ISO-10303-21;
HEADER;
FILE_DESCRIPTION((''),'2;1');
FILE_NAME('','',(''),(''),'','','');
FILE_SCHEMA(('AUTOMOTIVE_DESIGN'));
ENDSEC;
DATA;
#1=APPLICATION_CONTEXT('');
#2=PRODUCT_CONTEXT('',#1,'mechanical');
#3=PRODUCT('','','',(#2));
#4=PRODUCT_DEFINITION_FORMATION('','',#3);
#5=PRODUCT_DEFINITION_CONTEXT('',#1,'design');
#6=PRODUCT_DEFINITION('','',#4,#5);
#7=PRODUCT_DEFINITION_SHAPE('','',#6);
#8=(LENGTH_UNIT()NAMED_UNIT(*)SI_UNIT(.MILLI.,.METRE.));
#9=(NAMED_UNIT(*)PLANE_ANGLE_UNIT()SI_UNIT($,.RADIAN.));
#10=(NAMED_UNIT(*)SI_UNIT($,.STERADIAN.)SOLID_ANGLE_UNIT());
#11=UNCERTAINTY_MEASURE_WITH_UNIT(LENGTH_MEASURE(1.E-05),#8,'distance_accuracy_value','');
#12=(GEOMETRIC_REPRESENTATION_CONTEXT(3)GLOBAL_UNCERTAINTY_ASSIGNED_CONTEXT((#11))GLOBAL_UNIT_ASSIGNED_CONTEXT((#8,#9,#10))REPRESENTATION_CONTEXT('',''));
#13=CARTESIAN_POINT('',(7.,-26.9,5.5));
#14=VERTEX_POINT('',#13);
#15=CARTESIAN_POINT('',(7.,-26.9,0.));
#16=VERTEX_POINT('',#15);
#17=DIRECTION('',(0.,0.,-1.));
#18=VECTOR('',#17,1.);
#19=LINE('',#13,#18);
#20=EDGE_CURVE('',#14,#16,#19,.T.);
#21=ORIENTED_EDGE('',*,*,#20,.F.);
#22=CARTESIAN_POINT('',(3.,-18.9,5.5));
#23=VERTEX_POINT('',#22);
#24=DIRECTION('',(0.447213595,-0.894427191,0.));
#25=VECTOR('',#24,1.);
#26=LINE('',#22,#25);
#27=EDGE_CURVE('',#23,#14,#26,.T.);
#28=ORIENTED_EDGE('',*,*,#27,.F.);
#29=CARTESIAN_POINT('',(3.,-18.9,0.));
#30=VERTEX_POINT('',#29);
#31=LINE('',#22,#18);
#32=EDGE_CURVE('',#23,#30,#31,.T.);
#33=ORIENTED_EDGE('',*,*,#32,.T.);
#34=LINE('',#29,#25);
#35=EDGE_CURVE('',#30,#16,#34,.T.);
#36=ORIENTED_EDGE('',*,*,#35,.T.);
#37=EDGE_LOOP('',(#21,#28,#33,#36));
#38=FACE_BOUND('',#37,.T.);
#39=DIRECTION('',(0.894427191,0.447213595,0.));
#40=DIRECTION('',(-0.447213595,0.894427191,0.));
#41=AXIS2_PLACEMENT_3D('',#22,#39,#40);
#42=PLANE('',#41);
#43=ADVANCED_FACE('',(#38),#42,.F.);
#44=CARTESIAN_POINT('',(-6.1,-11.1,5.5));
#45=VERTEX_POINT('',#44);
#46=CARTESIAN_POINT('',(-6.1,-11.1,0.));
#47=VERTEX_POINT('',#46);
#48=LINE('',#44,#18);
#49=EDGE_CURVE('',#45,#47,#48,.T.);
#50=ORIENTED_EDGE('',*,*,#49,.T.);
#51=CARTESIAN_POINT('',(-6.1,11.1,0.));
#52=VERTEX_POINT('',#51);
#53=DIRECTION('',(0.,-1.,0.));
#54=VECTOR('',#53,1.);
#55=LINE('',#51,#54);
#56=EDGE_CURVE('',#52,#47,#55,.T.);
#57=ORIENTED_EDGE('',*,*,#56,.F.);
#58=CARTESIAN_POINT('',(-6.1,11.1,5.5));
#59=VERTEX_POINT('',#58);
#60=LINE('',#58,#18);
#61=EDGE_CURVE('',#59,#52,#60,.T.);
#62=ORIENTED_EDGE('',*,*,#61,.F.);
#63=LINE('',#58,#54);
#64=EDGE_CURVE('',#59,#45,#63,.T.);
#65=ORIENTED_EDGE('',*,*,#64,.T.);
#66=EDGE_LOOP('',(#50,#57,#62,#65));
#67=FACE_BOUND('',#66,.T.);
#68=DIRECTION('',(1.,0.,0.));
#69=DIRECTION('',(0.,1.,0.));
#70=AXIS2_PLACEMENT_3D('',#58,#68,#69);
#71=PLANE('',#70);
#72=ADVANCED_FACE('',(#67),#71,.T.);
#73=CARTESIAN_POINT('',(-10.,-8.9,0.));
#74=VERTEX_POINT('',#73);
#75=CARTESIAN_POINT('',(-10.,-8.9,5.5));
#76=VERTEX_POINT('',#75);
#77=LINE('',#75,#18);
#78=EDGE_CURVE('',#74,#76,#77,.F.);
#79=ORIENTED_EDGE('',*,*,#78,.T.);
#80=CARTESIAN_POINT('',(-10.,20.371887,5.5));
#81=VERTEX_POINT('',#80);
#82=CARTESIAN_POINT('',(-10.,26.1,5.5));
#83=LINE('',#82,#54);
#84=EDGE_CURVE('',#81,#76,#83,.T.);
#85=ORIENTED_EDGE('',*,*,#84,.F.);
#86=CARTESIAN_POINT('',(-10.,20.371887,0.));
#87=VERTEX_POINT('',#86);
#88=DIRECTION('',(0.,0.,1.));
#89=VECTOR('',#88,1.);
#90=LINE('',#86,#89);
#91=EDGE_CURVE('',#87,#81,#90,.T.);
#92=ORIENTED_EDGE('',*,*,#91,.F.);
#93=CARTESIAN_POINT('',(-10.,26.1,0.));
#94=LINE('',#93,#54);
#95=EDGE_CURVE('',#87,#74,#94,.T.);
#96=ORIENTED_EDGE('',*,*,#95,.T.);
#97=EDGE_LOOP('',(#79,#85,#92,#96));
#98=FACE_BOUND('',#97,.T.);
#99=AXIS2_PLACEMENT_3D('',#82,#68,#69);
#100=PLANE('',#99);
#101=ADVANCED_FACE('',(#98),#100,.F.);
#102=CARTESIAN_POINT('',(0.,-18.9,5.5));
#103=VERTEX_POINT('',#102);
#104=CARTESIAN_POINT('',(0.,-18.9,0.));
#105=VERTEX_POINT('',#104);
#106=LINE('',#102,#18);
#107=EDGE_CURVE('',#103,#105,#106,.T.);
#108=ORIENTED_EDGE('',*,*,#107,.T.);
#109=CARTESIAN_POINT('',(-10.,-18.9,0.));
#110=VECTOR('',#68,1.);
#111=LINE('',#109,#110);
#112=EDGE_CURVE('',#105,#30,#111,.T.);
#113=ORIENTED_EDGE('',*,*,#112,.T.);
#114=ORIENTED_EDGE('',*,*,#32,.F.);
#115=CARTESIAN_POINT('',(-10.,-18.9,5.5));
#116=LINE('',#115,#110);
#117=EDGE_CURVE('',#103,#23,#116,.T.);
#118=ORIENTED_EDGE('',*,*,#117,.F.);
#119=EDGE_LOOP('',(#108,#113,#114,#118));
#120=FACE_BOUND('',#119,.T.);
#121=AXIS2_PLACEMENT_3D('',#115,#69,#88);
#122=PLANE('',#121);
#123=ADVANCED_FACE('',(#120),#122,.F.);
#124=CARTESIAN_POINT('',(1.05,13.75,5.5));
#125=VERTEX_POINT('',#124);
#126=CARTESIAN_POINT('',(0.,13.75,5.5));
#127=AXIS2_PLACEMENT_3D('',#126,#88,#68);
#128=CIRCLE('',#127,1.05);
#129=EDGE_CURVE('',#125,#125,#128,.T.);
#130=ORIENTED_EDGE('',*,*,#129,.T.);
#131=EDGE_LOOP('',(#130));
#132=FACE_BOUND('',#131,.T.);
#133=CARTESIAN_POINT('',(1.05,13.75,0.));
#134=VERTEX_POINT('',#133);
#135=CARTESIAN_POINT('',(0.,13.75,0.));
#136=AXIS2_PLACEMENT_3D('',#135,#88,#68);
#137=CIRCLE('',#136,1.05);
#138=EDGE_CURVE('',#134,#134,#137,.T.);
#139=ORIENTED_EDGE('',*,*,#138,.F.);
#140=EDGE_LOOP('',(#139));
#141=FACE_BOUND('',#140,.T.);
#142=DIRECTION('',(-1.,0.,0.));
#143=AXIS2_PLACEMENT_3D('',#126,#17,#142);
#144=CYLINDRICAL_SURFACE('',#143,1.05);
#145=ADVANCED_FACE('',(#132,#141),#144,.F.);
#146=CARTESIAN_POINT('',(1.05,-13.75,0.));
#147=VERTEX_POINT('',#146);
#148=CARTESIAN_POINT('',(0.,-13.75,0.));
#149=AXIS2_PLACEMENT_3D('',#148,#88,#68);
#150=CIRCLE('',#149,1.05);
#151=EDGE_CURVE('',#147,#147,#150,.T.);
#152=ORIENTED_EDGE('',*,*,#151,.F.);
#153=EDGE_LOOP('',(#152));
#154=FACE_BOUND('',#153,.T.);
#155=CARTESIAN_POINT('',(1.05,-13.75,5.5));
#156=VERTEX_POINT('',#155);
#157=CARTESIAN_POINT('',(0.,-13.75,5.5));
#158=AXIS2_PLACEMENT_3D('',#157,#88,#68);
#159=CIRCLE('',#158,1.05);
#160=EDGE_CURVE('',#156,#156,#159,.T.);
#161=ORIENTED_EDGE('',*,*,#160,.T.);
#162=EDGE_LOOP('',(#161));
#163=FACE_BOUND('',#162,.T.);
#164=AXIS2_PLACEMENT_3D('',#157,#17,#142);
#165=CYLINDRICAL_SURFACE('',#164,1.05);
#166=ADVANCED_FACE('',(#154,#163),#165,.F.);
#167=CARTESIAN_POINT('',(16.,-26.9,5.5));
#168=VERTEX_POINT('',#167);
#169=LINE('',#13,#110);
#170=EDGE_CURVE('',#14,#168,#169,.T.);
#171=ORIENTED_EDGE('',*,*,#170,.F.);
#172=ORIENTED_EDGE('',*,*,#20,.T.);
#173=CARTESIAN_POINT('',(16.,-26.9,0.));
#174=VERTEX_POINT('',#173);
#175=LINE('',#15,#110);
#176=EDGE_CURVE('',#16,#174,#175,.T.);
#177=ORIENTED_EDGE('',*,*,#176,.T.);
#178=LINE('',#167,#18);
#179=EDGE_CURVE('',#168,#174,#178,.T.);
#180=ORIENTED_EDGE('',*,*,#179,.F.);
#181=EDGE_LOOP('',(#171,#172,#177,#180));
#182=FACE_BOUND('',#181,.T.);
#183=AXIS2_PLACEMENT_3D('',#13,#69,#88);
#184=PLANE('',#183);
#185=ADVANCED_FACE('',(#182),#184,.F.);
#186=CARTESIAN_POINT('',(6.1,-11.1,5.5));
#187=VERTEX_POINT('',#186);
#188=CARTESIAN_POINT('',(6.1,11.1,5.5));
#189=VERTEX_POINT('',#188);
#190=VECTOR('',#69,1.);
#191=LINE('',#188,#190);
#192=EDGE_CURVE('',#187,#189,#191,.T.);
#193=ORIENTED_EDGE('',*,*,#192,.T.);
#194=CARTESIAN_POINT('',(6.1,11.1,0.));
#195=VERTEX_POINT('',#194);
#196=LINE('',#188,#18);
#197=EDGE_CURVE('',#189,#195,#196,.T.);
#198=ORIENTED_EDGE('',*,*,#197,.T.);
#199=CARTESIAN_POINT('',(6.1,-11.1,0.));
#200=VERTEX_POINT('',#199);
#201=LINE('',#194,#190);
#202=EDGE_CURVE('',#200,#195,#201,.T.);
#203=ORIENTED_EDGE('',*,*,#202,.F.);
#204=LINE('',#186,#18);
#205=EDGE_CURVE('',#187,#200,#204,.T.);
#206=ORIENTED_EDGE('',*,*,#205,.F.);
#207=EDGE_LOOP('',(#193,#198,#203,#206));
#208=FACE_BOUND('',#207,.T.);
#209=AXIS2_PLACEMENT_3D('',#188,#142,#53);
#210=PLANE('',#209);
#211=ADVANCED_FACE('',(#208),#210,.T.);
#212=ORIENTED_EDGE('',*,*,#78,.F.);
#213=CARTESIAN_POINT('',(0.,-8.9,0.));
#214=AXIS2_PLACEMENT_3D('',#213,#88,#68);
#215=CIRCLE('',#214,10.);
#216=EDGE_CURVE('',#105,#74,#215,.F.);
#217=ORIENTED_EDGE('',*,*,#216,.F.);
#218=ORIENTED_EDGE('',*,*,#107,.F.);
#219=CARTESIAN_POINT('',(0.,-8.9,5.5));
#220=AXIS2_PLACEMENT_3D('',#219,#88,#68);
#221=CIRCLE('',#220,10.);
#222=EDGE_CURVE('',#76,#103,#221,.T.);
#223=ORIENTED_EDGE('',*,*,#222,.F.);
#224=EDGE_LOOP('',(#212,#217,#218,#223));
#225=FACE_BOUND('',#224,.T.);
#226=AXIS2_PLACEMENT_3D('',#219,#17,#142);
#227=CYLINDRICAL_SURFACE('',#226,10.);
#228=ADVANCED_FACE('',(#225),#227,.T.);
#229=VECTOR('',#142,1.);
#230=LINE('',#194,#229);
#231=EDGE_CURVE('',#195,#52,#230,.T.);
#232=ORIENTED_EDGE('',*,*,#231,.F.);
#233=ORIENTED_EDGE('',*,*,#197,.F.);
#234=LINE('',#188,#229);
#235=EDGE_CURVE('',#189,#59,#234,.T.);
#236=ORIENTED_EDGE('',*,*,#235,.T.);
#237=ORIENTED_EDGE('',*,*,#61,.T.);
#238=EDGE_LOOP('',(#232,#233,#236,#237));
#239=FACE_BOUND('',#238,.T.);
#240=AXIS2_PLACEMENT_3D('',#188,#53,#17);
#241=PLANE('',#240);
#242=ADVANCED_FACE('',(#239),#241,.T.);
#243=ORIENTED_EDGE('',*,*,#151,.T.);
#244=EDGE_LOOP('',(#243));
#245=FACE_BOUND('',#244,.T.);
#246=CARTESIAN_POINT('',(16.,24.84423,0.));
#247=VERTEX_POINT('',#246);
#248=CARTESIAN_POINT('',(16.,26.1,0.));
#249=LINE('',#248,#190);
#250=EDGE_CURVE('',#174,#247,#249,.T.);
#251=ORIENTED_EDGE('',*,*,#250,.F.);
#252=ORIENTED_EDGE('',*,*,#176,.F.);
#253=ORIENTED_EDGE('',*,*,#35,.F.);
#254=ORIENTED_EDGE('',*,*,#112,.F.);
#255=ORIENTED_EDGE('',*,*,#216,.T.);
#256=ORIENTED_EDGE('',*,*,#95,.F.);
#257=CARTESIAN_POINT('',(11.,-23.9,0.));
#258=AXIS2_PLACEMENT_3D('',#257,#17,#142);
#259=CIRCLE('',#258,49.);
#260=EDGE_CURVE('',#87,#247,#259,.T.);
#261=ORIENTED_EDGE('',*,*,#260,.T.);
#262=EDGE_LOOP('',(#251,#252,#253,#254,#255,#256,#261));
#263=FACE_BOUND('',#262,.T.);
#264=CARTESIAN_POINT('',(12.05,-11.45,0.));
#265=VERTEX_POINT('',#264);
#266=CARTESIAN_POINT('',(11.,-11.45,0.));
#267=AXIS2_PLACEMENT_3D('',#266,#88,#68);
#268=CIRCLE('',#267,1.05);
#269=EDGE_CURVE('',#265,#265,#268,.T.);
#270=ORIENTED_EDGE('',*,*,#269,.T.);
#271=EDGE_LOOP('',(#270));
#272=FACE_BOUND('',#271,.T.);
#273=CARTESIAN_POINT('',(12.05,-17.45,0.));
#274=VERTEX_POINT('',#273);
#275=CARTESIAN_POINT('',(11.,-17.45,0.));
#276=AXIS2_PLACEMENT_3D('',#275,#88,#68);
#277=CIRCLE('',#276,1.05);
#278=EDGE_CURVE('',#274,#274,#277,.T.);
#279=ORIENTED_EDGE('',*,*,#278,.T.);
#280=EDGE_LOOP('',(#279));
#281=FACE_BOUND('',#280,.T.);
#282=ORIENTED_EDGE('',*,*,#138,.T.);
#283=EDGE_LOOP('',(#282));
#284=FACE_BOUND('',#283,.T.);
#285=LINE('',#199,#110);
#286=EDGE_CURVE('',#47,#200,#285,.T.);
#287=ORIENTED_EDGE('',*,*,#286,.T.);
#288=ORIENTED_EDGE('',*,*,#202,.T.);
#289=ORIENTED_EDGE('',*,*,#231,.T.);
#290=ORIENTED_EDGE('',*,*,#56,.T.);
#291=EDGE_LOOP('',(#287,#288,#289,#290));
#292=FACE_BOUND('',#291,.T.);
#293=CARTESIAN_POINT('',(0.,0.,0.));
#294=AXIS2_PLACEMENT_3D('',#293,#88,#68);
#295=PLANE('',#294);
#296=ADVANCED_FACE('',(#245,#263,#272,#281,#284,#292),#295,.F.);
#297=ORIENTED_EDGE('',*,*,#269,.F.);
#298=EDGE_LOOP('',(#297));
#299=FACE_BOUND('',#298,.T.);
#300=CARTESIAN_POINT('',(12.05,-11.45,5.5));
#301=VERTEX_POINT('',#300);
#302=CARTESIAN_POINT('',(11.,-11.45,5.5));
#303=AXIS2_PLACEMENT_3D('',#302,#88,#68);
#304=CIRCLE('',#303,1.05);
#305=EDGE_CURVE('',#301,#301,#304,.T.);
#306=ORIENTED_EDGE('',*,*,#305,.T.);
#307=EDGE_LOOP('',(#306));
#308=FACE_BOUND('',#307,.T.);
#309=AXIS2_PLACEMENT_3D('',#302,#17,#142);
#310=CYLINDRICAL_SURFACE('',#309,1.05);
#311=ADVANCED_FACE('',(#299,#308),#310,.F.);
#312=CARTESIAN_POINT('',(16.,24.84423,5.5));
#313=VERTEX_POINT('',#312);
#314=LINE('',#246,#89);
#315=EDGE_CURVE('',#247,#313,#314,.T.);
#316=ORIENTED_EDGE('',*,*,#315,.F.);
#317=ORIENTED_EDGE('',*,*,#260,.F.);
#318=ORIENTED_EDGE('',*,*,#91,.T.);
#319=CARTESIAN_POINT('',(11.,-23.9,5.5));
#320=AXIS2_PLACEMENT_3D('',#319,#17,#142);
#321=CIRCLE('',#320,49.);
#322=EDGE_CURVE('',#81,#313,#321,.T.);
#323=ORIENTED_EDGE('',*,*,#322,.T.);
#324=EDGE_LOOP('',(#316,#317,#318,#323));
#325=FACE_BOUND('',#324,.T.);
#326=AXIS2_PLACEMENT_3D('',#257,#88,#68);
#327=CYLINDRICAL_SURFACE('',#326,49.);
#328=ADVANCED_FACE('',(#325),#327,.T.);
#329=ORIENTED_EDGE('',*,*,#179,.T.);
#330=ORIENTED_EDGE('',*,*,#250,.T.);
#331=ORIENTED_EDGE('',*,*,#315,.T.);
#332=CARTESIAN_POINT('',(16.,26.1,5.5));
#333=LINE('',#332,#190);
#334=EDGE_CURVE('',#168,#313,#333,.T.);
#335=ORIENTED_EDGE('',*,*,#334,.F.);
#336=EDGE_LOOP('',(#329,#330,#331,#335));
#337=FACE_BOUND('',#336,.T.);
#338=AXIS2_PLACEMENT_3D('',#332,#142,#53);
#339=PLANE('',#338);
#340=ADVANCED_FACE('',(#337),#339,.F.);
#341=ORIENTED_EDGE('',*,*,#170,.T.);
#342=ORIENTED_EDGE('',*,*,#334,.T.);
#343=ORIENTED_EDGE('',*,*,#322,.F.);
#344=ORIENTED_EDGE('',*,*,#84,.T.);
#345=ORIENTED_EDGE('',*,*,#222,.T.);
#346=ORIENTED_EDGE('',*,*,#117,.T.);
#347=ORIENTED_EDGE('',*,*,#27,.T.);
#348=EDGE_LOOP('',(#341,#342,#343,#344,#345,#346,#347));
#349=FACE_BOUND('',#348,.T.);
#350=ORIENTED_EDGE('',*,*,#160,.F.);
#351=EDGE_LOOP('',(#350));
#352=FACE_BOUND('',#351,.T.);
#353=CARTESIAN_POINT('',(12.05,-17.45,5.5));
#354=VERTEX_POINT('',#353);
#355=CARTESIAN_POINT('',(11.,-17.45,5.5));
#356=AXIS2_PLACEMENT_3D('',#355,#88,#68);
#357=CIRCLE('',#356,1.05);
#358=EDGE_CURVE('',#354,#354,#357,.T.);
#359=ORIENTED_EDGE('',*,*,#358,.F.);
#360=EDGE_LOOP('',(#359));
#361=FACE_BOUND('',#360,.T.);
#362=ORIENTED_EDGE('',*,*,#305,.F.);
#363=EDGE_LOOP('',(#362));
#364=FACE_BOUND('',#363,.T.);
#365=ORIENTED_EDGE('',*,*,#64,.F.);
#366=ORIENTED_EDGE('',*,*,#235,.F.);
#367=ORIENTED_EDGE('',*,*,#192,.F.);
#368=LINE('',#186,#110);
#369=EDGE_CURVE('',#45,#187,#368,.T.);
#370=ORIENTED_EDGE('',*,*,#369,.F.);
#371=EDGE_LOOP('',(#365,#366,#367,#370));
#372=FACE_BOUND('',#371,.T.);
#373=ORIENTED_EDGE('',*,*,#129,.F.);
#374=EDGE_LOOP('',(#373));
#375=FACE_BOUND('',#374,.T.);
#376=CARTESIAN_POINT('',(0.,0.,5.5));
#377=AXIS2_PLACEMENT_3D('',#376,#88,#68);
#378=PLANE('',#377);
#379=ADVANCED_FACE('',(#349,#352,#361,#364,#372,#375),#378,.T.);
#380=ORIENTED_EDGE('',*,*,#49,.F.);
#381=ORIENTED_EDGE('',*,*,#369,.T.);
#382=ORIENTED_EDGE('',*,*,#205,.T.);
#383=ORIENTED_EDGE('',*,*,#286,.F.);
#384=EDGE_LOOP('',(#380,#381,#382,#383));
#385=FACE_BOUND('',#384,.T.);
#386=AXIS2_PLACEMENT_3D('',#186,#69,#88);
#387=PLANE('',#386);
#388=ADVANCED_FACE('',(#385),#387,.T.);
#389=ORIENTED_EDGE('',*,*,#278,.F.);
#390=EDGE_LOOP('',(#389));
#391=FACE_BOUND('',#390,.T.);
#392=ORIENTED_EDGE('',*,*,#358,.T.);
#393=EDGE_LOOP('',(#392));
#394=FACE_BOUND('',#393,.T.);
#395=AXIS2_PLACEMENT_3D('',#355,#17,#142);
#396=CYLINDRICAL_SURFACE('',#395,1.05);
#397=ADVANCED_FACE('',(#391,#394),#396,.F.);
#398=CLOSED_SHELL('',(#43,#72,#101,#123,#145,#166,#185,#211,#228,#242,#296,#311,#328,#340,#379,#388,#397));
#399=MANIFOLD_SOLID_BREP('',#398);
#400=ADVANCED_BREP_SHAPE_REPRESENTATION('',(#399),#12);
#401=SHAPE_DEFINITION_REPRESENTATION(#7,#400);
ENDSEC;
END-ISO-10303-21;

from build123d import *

# Parameters (mm, degrees)
SKETCH_1_R          = 1.05
SKETCH_1_W          = 12.2
SKETCH_1_H          = 22.2
EXTRUDE_1_DEPTH     = 5.5
CUT_EXTRUDE_1_DEPTH = 32.778294479
FILLET_1_R          = 10


with BuildPart() as part:
    # ｽｹｯﾁ1 → ﾎﾞｽ - 押し出し1 (new body)
    with BuildSketch(Plane.XY):
        Polygon((-10, -18.9), (3, -18.9), (7, -26.9), (16, -26.9), (16, 26.1), (-10, 26.1), align=None)
        with Locations((0, -13.75)):
            Circle(SKETCH_1_R, mode=Mode.SUBTRACT)
        with Locations((0, 13.75)):
            Circle(SKETCH_1_R, mode=Mode.SUBTRACT)
        with Locations((11, -17.45)):
            Circle(SKETCH_1_R, mode=Mode.SUBTRACT)
        with Locations((11, -11.45)):
            Circle(SKETCH_1_R, mode=Mode.SUBTRACT)
        Rectangle(SKETCH_1_W, SKETCH_1_H, mode=Mode.SUBTRACT)
    extrude(amount=EXTRUDE_1_DEPTH)

    # ｽｹｯﾁ2 → ｶｯﾄ - 押し出し1 (cut, through all)
    with BuildSketch(Plane.XY.offset(5.5)):
        with BuildLine():
            Line((-10, 20.371887242), (-10, 26.1))
            Line((-10, 26.1), (16, 26.1))
            Line((16, 26.1), (16, 24.844230428))
            ThreePointArc((16, 24.844230428), (2.693348244, 24.390781073), (-10, 20.371887242))
        make_face()
    extrude(amount=-CUT_EXTRUDE_1_DEPTH, mode=Mode.SUBTRACT)

    # ﾌｨﾚｯﾄ1
    fillet_1_edges = [part.edges().sort_by_distance(p)[0] for p in [
        (-10, -18.9, 2.75),
    ]]
    fillet(fillet_1_edges, radius=FILLET_1_R)


solid = part.part
